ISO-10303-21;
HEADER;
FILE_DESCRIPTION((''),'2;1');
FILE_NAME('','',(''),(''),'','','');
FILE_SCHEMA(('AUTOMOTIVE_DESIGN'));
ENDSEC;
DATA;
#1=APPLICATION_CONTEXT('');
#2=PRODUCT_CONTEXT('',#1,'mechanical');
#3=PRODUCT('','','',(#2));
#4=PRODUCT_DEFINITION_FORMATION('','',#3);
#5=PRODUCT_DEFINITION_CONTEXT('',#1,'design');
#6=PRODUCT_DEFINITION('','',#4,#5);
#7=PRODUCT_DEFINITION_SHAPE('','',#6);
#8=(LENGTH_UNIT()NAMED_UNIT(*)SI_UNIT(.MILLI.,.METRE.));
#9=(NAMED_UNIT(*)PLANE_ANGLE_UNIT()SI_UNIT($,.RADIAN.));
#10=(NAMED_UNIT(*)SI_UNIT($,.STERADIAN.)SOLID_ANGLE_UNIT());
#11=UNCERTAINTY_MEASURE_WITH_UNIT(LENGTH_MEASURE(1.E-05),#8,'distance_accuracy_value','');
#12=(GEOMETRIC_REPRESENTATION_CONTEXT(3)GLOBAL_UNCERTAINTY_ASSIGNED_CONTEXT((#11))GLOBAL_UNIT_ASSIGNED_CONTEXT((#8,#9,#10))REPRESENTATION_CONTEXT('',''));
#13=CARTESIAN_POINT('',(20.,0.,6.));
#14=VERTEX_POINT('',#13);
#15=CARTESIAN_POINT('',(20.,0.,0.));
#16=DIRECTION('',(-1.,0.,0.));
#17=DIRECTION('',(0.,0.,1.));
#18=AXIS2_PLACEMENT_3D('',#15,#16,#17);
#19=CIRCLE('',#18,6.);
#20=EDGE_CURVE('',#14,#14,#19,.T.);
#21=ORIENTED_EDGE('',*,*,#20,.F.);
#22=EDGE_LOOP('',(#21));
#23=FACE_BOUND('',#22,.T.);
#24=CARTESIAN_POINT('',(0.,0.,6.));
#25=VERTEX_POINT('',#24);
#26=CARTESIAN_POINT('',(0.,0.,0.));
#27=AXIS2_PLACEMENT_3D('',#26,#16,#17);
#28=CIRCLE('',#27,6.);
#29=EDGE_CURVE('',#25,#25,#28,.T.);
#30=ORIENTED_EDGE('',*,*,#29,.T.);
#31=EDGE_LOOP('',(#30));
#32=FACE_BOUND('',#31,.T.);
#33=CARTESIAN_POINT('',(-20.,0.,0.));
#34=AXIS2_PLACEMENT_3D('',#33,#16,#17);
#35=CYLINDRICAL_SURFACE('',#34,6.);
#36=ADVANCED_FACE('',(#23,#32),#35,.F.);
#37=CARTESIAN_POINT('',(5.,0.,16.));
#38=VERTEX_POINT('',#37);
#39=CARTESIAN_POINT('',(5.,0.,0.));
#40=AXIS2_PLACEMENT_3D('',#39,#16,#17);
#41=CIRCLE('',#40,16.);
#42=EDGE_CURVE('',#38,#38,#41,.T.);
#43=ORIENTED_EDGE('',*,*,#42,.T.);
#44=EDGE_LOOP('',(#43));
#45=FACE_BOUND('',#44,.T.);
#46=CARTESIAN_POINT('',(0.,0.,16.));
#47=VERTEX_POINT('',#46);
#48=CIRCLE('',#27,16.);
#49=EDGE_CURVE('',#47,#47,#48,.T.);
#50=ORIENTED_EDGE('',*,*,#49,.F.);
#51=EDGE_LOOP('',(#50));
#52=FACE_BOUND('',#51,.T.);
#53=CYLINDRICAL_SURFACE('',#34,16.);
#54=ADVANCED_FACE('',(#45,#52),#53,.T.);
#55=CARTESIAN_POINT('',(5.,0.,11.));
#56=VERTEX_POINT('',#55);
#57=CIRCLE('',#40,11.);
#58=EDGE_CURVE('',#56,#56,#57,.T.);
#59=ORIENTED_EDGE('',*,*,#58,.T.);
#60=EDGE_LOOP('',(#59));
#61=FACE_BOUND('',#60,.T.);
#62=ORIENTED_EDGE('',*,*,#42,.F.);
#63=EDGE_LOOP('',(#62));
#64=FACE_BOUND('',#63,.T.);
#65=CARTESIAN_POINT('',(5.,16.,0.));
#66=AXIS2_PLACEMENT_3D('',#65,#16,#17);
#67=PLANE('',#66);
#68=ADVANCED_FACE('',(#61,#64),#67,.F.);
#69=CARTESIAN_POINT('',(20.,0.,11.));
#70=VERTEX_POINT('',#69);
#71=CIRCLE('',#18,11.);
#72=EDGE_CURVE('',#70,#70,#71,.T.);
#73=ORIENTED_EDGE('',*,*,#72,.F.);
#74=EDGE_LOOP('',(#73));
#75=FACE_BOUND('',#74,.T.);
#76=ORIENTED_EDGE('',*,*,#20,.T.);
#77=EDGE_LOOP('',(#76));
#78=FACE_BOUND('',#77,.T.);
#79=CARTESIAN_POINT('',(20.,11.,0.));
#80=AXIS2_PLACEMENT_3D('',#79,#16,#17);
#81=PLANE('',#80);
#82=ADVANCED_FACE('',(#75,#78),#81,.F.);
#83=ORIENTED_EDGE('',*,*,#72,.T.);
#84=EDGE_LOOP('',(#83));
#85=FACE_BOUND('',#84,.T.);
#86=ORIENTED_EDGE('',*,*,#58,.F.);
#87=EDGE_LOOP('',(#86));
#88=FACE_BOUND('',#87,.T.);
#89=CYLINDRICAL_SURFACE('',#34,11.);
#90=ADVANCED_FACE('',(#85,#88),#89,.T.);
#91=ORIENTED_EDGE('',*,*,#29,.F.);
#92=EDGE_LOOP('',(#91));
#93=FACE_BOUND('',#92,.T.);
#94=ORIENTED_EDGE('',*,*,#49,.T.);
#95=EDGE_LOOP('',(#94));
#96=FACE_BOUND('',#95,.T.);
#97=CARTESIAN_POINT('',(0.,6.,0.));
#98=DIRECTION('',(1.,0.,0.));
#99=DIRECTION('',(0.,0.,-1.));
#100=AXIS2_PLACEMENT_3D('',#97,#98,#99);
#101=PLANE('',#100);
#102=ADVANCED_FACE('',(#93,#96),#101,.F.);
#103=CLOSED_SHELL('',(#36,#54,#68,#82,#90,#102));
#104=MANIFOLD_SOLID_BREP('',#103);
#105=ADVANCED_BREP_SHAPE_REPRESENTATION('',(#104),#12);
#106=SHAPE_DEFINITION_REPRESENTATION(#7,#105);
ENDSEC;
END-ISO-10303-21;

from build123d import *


with BuildPart() as part:
    # Sketch1 → Revolve1 (revolve)
    with BuildSketch(Plane.XY):
        Polygon((0, 6), (0, 16), (5, 16), (5, 11), (20, 11), (20, 6), align=None)
    revolve(axis=Axis((-20, 0, 0), (1, 0, 0)))


solid = part.part
